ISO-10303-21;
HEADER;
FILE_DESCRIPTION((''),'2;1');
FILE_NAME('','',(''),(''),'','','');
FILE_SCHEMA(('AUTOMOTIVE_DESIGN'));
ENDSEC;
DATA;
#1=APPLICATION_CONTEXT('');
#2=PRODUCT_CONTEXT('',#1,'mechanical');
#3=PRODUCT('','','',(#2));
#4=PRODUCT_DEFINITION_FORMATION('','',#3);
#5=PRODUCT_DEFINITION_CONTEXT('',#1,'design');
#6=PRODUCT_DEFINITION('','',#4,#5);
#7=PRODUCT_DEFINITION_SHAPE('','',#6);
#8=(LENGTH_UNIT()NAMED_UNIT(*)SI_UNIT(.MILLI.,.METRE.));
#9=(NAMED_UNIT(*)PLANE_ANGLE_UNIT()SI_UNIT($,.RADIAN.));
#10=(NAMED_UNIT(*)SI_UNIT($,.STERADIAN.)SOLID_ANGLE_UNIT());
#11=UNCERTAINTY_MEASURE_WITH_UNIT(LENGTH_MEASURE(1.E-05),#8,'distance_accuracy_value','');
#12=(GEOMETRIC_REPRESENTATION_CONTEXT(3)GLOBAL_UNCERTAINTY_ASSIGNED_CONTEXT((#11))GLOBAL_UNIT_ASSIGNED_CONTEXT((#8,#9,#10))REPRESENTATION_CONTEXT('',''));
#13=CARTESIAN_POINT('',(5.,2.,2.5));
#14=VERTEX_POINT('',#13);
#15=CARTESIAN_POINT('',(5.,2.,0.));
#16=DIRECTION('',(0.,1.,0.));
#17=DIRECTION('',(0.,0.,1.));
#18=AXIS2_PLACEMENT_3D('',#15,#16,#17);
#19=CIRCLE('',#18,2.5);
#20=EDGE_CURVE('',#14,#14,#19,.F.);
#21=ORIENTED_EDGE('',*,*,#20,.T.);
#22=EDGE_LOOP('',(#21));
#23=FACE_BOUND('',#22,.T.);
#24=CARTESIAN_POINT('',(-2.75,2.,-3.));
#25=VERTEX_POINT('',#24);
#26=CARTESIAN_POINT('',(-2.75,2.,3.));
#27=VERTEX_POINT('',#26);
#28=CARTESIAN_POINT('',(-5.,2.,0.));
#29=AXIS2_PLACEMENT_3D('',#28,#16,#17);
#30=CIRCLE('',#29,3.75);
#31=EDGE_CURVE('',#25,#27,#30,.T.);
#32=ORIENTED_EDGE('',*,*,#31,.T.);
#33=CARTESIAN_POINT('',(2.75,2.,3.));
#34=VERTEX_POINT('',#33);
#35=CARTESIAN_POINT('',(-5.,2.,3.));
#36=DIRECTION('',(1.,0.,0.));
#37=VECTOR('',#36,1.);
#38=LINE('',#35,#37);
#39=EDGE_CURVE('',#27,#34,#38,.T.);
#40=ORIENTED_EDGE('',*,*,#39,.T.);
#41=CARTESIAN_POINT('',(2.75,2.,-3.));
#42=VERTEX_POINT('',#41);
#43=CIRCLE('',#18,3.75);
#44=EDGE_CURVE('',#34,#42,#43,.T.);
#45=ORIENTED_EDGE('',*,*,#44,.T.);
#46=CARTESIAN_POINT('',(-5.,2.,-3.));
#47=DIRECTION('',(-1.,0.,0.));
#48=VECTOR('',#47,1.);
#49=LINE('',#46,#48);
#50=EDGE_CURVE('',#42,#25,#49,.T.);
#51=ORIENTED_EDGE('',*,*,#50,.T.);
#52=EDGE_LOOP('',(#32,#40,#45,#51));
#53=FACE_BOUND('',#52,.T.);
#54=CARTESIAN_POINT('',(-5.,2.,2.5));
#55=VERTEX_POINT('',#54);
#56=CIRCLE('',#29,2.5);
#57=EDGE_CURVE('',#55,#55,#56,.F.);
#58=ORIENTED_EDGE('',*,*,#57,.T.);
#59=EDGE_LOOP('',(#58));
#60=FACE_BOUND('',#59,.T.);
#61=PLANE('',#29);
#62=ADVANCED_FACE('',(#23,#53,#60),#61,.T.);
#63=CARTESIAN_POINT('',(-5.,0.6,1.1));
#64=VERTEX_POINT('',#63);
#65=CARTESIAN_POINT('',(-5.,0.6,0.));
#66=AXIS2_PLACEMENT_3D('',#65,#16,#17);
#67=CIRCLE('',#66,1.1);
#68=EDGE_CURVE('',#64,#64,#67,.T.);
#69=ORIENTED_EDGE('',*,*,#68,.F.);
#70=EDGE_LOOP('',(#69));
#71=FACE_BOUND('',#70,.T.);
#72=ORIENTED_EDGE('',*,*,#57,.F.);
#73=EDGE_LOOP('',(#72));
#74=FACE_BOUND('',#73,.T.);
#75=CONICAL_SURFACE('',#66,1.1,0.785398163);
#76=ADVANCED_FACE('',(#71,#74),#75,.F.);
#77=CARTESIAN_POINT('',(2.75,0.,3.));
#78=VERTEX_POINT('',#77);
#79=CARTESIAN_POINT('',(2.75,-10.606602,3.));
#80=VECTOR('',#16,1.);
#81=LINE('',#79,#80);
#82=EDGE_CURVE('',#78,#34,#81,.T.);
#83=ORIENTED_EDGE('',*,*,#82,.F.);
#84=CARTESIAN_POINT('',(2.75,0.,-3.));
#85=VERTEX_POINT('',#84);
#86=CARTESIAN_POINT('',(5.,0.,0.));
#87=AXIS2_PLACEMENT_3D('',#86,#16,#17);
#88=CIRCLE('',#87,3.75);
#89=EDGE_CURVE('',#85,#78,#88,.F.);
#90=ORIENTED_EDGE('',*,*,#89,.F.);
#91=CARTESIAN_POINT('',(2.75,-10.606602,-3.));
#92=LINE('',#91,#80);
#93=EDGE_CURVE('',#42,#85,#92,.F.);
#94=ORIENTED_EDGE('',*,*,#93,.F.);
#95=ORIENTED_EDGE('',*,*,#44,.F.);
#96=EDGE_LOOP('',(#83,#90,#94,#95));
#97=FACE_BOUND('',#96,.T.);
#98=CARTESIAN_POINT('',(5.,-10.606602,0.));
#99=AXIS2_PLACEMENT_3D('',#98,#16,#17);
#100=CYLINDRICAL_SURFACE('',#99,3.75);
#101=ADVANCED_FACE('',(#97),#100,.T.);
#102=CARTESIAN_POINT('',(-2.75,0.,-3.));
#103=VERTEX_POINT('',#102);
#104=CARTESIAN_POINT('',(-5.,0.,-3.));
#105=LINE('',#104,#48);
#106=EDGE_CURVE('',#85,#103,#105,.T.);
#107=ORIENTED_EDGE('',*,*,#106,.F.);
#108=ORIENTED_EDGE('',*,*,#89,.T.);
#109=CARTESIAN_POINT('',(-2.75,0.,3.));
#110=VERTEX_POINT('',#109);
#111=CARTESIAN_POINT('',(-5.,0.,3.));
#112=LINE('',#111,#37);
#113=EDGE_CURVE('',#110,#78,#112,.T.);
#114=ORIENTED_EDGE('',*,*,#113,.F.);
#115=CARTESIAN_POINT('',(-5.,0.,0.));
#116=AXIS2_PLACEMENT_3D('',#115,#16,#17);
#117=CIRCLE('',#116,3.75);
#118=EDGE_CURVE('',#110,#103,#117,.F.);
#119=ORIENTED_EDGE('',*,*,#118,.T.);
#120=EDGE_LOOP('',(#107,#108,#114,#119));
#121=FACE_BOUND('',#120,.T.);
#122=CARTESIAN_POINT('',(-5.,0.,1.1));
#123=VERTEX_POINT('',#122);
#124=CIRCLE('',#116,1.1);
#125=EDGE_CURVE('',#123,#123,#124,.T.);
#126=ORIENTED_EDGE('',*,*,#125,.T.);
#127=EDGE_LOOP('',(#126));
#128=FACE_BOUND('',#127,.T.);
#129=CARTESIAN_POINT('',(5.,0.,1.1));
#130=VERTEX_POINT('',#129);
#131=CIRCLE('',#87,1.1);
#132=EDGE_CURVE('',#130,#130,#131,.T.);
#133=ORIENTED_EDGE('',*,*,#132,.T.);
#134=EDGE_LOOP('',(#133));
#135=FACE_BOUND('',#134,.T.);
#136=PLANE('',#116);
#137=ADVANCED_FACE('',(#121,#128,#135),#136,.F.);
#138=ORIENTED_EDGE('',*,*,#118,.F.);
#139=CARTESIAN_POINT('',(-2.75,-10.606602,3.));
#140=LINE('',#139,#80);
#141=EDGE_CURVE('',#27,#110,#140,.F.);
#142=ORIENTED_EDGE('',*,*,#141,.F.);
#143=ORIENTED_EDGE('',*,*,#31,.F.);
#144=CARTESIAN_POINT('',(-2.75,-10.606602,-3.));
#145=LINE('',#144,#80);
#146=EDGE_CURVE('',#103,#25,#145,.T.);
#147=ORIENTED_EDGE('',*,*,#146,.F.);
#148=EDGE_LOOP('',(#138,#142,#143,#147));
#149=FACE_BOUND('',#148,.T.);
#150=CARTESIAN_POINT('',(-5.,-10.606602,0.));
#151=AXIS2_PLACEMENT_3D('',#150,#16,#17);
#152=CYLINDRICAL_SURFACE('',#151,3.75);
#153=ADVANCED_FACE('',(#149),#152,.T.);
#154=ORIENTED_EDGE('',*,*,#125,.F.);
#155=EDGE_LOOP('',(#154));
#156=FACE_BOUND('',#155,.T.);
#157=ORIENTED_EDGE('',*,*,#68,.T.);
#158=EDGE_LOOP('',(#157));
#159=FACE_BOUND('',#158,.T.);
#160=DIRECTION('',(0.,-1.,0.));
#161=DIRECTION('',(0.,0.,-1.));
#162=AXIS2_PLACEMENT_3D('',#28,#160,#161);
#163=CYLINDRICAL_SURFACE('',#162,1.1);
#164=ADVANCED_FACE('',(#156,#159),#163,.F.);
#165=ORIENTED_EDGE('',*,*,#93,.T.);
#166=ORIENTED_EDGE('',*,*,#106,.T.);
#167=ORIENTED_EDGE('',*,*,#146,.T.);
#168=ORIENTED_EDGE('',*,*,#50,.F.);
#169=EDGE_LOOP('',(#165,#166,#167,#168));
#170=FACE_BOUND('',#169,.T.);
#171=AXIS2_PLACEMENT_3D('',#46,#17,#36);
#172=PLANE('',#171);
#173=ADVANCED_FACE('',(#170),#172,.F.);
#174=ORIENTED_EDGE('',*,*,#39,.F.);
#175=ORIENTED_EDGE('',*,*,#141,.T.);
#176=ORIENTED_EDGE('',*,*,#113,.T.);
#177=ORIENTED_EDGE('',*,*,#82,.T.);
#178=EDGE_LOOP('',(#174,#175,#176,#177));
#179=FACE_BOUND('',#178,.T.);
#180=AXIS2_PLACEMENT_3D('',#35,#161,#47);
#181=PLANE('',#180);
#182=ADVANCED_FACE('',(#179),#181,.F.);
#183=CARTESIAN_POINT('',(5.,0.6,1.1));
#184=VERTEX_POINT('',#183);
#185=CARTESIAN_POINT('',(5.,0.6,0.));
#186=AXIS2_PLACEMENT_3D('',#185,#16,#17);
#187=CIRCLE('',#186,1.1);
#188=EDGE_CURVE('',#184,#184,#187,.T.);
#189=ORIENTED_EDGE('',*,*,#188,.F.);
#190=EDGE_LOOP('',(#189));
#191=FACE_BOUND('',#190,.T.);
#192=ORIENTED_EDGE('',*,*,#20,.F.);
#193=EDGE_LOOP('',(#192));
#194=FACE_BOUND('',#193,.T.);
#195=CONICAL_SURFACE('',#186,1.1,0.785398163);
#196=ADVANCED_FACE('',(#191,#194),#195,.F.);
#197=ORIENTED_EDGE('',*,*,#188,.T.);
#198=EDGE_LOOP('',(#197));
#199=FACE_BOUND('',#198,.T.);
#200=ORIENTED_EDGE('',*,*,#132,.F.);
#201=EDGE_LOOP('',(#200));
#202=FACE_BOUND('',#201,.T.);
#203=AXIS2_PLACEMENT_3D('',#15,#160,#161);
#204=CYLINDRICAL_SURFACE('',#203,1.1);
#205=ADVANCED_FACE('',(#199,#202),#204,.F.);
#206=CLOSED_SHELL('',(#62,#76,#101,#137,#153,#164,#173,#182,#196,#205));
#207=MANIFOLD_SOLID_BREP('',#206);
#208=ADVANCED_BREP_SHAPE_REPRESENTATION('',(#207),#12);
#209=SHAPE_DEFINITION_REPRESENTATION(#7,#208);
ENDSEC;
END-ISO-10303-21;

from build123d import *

# Parameters (mm, degrees)
SKETCH1_R           = 1.1
BOSS_EXTRUDE1_DEPTH = 2
BOSS_EXTRUDE3_START = -2
SKETCH3_R           = 3.75
SKETCH3_R_2         = 1.1
BOSS_EXTRUDE3_DEPTH = 2
CHAMFER1_SIZE       = 1.4


with BuildPart() as part:
    # Sketch1 → Boss-Extrude1 (new body)
    with BuildSketch(Plane(origin=(0, 0, 0), x_dir=(1, 0, 0), z_dir=(0, 1, 0))):
        with BuildLine():
            Line((-5, 3), (5, 3))
            ThreePointArc((5, 3), (8, 0), (5, -3))
            Line((5, -3), (-5, -3))
            ThreePointArc((-5, -3), (-8, 0), (-5, 3))
        make_face()
        with Locations(Location((-5, 0, 0), (0, 0, 270))):
            Circle(SKETCH1_R, mode=Mode.SUBTRACT)
        with Locations(Location((5, 0, 0), (0, 0, 270))):
            Circle(SKETCH1_R, mode=Mode.SUBTRACT)
    extrude(amount=BOSS_EXTRUDE1_DEPTH)

    # Sketch3 → Boss-Extrude3 (add)
    # profile 1 of 2: a face of its own
    with BuildSketch(Plane(origin=(0, 2, 0), x_dir=(1, 0, 0), z_dir=(0, 1, 0)).offset(BOSS_EXTRUDE3_START)):
        with Locations((-5, 0)):
            Circle(SKETCH3_R)
        with Locations(Location((-5, 0, 0), (0, 0, 270))):
            Circle(SKETCH3_R_2, mode=Mode.SUBTRACT)
    # profile 2 of 2: a face of its own
    with BuildSketch(Plane(origin=(0, 2, 0), x_dir=(1, 0, 0), z_dir=(0, 1, 0)).offset(BOSS_EXTRUDE3_START)):
        with Locations((5, 0)):
            Circle(SKETCH3_R)
        with Locations(Location((5, 0, 0), (0, 0, 270))):
            Circle(SKETCH3_R_2, mode=Mode.SUBTRACT)
    extrude(amount=BOSS_EXTRUDE3_DEPTH)

    # Chamfer1
    chamfer1_edges = [part.edges().sort_by_distance(p)[0] for p in [
        (-5, 2, -1.1),
        (5, 2, -1.1),
    ]]
    chamfer(chamfer1_edges, length=CHAMFER1_SIZE)


solid = part.part
